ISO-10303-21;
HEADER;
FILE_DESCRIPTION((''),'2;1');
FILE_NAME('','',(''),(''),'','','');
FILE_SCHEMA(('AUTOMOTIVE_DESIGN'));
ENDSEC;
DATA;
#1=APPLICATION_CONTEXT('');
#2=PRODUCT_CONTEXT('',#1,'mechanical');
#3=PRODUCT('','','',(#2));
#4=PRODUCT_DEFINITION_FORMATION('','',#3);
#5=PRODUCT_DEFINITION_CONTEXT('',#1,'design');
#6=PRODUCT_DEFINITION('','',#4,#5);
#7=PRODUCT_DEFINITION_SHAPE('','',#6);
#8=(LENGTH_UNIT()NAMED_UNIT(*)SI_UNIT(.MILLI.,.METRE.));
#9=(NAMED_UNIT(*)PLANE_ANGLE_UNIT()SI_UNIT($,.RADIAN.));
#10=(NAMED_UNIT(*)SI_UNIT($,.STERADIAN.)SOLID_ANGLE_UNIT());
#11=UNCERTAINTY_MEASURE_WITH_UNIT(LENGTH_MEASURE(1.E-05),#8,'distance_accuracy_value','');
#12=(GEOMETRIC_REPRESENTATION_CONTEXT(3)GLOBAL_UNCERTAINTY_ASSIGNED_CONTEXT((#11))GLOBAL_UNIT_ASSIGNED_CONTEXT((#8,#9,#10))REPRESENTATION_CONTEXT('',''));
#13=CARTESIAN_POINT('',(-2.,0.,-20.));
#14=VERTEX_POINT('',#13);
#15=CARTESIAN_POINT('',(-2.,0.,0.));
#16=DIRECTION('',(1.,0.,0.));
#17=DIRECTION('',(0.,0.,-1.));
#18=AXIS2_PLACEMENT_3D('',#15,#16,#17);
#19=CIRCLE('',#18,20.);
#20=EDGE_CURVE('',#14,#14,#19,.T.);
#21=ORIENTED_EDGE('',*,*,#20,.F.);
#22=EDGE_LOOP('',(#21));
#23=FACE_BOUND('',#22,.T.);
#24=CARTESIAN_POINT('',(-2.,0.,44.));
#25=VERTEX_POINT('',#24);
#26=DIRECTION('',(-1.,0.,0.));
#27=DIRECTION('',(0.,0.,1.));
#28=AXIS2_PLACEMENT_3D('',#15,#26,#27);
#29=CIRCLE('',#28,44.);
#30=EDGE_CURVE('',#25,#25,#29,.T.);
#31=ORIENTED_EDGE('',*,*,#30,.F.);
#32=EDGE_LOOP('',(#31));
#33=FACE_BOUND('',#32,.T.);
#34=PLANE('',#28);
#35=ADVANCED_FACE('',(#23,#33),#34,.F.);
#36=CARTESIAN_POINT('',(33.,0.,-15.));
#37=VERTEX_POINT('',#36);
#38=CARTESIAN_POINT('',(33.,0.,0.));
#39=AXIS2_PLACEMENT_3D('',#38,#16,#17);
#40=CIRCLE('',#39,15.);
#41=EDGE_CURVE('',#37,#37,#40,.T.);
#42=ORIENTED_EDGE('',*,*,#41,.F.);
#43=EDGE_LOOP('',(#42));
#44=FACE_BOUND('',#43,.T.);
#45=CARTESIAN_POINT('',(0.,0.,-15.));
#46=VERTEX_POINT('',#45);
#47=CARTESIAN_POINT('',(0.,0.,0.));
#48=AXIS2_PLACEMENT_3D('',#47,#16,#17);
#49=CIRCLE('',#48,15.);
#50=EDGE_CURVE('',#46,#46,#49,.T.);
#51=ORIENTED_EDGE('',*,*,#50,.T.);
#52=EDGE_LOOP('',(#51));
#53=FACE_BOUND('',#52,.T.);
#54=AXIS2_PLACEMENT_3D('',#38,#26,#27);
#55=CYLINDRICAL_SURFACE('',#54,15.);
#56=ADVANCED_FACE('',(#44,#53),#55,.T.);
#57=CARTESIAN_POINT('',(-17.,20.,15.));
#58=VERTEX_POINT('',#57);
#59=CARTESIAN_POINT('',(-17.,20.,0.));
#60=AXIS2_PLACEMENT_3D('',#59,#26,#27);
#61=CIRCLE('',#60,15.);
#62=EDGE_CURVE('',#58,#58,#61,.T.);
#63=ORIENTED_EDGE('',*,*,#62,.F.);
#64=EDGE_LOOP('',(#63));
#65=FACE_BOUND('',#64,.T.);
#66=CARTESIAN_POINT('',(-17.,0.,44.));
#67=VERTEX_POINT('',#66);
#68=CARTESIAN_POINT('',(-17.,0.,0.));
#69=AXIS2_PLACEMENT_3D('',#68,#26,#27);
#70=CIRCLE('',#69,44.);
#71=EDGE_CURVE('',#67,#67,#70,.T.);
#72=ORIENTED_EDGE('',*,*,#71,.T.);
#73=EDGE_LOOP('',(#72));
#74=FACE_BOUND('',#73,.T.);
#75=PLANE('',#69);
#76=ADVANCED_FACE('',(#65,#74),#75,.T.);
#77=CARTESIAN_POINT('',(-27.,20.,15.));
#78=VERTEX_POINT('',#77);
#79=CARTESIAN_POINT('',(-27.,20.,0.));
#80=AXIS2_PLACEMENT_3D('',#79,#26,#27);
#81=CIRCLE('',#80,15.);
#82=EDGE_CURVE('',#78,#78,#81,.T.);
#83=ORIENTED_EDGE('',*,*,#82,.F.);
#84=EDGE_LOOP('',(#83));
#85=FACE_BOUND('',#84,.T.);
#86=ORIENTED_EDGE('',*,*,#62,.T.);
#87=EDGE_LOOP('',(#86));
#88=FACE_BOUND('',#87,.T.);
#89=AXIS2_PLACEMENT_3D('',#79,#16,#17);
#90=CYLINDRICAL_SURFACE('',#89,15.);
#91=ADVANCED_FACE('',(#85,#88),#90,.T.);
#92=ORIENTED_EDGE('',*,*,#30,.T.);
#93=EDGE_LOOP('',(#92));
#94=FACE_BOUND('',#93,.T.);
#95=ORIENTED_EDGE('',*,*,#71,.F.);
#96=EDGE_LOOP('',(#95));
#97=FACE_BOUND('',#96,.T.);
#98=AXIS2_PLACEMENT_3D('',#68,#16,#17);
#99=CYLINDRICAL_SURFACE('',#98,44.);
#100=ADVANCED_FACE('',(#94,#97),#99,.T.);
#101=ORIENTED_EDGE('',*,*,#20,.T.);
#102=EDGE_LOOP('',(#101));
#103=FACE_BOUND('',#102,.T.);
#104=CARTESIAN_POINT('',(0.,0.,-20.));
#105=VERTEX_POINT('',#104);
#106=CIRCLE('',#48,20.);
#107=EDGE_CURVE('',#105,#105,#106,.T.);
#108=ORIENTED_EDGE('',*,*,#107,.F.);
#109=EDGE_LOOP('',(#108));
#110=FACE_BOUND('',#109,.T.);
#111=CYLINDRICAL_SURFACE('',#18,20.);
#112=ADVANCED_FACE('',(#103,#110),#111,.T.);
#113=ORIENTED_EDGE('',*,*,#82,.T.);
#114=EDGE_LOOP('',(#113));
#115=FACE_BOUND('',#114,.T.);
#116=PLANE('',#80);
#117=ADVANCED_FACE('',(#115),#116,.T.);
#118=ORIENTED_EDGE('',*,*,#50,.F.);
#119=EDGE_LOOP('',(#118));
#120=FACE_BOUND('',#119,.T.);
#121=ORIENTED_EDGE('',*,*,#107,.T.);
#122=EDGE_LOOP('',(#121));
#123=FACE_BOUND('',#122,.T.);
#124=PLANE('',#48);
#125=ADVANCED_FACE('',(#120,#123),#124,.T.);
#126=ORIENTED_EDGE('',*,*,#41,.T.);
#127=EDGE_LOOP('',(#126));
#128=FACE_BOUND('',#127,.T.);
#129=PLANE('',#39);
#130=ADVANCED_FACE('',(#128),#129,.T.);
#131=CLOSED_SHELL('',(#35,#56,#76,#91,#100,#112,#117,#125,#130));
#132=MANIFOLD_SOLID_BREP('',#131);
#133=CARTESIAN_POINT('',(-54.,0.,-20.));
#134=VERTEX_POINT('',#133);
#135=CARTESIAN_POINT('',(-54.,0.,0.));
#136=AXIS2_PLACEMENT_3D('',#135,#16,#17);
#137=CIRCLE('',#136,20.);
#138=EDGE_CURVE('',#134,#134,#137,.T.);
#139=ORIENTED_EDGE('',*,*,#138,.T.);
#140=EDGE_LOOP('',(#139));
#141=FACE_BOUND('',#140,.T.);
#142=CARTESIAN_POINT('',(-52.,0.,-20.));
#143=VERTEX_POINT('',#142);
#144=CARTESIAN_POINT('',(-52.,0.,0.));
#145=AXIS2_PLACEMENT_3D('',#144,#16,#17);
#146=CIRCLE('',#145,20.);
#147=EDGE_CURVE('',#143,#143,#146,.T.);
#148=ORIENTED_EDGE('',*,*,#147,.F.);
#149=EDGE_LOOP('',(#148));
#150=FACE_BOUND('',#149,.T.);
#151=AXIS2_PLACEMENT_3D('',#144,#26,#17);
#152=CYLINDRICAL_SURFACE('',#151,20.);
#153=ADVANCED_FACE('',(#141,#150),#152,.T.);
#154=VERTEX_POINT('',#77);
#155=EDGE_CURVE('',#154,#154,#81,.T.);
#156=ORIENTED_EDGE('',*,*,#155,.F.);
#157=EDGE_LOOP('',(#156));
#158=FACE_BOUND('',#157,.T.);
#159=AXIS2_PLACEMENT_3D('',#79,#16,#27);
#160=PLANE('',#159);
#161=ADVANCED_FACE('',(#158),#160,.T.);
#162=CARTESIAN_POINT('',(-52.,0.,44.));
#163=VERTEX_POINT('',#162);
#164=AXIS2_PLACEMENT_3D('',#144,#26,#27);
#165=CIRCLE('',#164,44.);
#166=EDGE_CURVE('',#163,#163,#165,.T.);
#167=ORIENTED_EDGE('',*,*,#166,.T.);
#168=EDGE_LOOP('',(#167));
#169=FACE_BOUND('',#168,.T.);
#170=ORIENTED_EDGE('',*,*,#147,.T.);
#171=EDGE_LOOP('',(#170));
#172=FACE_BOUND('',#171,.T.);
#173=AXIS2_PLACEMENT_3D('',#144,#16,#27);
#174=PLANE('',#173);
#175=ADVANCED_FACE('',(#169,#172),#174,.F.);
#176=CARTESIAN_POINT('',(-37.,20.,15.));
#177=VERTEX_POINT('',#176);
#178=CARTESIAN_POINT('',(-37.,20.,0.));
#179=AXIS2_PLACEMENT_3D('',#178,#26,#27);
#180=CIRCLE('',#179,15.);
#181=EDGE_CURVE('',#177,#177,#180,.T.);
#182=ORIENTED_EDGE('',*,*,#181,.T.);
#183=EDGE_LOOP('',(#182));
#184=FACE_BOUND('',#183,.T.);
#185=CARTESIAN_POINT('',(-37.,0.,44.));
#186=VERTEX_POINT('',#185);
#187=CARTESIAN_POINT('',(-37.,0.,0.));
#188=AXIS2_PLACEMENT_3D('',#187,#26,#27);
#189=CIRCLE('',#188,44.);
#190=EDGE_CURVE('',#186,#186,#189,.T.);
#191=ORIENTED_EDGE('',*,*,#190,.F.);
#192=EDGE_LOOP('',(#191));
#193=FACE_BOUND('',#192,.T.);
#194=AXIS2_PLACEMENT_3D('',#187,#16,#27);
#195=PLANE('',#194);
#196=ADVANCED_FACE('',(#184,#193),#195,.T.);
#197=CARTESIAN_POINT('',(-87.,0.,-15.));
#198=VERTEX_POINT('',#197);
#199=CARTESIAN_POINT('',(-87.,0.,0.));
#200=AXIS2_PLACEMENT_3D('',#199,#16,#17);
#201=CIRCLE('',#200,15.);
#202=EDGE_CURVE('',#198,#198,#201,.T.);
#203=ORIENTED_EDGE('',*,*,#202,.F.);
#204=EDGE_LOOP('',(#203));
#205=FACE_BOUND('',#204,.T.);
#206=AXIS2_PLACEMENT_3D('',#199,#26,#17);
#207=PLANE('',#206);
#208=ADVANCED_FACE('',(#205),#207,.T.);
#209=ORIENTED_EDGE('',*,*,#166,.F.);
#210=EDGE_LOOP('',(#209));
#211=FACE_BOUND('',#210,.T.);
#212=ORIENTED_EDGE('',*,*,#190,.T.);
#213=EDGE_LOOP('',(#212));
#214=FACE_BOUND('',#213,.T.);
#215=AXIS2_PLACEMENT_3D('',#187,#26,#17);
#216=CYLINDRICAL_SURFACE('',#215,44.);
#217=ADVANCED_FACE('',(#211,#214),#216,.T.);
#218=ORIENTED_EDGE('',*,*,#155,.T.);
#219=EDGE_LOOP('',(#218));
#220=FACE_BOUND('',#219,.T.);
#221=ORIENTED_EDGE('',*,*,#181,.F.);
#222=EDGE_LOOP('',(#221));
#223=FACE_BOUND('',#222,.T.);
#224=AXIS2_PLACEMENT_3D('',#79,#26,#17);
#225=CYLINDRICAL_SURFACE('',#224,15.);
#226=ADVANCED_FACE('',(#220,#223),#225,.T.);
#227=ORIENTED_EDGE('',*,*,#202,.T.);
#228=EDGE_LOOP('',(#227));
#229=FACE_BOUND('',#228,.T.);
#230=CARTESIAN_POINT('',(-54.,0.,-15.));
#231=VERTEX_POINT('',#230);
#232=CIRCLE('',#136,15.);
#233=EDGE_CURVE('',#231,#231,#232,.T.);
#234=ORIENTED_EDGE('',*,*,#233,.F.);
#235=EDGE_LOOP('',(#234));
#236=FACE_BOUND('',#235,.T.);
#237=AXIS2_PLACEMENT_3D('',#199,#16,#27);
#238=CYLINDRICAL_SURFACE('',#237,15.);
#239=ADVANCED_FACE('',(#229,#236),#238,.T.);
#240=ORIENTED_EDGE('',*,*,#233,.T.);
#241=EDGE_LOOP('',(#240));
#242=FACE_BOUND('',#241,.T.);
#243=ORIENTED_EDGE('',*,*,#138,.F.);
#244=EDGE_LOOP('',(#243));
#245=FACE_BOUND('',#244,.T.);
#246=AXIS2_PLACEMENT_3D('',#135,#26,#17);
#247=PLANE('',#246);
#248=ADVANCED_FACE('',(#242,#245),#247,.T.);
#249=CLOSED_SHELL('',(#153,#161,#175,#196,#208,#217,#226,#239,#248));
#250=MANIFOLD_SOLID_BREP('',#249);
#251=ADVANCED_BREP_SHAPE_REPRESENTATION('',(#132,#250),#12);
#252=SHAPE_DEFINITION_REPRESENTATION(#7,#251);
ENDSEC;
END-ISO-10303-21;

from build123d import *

# Parameters (mm, degrees)
SZKIC1_R                    = 15
DODANIE_WYCI_GNI_CIE1_DEPTH = 33
SZKIC4_R                    = 20
DODANIE_WYCI_GNI_CIE2_DEPTH = 2
SZKIC6_R                    = 44
DODANIE_WYCI_GNI_CIE4_DEPTH = 15
SZKIC7_R                    = 15
DODANIE_WYCI_GNI_CIE5_DEPTH = 10


with BuildPart() as part:
    # Szkic1 → Dodanie-wyciągnięcie1 (new body)
    with BuildSketch(Plane(origin=(0, 0, 0), x_dir=(0, 0, -1), z_dir=(1, 0, 0))):
        Circle(SZKIC1_R)
    extrude(amount=DODANIE_WYCI_GNI_CIE1_DEPTH)

    # Szkic4 → Dodanie-wyciągnięcie2 (add)
    with BuildSketch(Plane(origin=(0, 0, 0), x_dir=(0, 0, -1), z_dir=(1, 0, 0))):
        Circle(SZKIC4_R)
    extrude(amount=-DODANIE_WYCI_GNI_CIE2_DEPTH)

    # Szkic6 → Dodanie-wyciągnięcie4 (add)
    with BuildSketch(Plane.ZY.offset(2)):
        Circle(SZKIC6_R)
    extrude(amount=DODANIE_WYCI_GNI_CIE4_DEPTH)

    # Szkic7 → Dodanie-wyciągnięcie5 (add)
    with BuildSketch(Plane.ZY.offset(17)):
        with Locations((0, 20)):
            Circle(SZKIC7_R)
    extrude(amount=DODANIE_WYCI_GNI_CIE5_DEPTH)


with BuildPart() as body_2:
    # Lustro1: mirrored copy
    add(part.part.mirror(Plane(origin=(-27, 20, 0), x_dir=(0, 0, 1), z_dir=(-1, 0, 0))))


solid = Compound([part.part, body_2.part])
